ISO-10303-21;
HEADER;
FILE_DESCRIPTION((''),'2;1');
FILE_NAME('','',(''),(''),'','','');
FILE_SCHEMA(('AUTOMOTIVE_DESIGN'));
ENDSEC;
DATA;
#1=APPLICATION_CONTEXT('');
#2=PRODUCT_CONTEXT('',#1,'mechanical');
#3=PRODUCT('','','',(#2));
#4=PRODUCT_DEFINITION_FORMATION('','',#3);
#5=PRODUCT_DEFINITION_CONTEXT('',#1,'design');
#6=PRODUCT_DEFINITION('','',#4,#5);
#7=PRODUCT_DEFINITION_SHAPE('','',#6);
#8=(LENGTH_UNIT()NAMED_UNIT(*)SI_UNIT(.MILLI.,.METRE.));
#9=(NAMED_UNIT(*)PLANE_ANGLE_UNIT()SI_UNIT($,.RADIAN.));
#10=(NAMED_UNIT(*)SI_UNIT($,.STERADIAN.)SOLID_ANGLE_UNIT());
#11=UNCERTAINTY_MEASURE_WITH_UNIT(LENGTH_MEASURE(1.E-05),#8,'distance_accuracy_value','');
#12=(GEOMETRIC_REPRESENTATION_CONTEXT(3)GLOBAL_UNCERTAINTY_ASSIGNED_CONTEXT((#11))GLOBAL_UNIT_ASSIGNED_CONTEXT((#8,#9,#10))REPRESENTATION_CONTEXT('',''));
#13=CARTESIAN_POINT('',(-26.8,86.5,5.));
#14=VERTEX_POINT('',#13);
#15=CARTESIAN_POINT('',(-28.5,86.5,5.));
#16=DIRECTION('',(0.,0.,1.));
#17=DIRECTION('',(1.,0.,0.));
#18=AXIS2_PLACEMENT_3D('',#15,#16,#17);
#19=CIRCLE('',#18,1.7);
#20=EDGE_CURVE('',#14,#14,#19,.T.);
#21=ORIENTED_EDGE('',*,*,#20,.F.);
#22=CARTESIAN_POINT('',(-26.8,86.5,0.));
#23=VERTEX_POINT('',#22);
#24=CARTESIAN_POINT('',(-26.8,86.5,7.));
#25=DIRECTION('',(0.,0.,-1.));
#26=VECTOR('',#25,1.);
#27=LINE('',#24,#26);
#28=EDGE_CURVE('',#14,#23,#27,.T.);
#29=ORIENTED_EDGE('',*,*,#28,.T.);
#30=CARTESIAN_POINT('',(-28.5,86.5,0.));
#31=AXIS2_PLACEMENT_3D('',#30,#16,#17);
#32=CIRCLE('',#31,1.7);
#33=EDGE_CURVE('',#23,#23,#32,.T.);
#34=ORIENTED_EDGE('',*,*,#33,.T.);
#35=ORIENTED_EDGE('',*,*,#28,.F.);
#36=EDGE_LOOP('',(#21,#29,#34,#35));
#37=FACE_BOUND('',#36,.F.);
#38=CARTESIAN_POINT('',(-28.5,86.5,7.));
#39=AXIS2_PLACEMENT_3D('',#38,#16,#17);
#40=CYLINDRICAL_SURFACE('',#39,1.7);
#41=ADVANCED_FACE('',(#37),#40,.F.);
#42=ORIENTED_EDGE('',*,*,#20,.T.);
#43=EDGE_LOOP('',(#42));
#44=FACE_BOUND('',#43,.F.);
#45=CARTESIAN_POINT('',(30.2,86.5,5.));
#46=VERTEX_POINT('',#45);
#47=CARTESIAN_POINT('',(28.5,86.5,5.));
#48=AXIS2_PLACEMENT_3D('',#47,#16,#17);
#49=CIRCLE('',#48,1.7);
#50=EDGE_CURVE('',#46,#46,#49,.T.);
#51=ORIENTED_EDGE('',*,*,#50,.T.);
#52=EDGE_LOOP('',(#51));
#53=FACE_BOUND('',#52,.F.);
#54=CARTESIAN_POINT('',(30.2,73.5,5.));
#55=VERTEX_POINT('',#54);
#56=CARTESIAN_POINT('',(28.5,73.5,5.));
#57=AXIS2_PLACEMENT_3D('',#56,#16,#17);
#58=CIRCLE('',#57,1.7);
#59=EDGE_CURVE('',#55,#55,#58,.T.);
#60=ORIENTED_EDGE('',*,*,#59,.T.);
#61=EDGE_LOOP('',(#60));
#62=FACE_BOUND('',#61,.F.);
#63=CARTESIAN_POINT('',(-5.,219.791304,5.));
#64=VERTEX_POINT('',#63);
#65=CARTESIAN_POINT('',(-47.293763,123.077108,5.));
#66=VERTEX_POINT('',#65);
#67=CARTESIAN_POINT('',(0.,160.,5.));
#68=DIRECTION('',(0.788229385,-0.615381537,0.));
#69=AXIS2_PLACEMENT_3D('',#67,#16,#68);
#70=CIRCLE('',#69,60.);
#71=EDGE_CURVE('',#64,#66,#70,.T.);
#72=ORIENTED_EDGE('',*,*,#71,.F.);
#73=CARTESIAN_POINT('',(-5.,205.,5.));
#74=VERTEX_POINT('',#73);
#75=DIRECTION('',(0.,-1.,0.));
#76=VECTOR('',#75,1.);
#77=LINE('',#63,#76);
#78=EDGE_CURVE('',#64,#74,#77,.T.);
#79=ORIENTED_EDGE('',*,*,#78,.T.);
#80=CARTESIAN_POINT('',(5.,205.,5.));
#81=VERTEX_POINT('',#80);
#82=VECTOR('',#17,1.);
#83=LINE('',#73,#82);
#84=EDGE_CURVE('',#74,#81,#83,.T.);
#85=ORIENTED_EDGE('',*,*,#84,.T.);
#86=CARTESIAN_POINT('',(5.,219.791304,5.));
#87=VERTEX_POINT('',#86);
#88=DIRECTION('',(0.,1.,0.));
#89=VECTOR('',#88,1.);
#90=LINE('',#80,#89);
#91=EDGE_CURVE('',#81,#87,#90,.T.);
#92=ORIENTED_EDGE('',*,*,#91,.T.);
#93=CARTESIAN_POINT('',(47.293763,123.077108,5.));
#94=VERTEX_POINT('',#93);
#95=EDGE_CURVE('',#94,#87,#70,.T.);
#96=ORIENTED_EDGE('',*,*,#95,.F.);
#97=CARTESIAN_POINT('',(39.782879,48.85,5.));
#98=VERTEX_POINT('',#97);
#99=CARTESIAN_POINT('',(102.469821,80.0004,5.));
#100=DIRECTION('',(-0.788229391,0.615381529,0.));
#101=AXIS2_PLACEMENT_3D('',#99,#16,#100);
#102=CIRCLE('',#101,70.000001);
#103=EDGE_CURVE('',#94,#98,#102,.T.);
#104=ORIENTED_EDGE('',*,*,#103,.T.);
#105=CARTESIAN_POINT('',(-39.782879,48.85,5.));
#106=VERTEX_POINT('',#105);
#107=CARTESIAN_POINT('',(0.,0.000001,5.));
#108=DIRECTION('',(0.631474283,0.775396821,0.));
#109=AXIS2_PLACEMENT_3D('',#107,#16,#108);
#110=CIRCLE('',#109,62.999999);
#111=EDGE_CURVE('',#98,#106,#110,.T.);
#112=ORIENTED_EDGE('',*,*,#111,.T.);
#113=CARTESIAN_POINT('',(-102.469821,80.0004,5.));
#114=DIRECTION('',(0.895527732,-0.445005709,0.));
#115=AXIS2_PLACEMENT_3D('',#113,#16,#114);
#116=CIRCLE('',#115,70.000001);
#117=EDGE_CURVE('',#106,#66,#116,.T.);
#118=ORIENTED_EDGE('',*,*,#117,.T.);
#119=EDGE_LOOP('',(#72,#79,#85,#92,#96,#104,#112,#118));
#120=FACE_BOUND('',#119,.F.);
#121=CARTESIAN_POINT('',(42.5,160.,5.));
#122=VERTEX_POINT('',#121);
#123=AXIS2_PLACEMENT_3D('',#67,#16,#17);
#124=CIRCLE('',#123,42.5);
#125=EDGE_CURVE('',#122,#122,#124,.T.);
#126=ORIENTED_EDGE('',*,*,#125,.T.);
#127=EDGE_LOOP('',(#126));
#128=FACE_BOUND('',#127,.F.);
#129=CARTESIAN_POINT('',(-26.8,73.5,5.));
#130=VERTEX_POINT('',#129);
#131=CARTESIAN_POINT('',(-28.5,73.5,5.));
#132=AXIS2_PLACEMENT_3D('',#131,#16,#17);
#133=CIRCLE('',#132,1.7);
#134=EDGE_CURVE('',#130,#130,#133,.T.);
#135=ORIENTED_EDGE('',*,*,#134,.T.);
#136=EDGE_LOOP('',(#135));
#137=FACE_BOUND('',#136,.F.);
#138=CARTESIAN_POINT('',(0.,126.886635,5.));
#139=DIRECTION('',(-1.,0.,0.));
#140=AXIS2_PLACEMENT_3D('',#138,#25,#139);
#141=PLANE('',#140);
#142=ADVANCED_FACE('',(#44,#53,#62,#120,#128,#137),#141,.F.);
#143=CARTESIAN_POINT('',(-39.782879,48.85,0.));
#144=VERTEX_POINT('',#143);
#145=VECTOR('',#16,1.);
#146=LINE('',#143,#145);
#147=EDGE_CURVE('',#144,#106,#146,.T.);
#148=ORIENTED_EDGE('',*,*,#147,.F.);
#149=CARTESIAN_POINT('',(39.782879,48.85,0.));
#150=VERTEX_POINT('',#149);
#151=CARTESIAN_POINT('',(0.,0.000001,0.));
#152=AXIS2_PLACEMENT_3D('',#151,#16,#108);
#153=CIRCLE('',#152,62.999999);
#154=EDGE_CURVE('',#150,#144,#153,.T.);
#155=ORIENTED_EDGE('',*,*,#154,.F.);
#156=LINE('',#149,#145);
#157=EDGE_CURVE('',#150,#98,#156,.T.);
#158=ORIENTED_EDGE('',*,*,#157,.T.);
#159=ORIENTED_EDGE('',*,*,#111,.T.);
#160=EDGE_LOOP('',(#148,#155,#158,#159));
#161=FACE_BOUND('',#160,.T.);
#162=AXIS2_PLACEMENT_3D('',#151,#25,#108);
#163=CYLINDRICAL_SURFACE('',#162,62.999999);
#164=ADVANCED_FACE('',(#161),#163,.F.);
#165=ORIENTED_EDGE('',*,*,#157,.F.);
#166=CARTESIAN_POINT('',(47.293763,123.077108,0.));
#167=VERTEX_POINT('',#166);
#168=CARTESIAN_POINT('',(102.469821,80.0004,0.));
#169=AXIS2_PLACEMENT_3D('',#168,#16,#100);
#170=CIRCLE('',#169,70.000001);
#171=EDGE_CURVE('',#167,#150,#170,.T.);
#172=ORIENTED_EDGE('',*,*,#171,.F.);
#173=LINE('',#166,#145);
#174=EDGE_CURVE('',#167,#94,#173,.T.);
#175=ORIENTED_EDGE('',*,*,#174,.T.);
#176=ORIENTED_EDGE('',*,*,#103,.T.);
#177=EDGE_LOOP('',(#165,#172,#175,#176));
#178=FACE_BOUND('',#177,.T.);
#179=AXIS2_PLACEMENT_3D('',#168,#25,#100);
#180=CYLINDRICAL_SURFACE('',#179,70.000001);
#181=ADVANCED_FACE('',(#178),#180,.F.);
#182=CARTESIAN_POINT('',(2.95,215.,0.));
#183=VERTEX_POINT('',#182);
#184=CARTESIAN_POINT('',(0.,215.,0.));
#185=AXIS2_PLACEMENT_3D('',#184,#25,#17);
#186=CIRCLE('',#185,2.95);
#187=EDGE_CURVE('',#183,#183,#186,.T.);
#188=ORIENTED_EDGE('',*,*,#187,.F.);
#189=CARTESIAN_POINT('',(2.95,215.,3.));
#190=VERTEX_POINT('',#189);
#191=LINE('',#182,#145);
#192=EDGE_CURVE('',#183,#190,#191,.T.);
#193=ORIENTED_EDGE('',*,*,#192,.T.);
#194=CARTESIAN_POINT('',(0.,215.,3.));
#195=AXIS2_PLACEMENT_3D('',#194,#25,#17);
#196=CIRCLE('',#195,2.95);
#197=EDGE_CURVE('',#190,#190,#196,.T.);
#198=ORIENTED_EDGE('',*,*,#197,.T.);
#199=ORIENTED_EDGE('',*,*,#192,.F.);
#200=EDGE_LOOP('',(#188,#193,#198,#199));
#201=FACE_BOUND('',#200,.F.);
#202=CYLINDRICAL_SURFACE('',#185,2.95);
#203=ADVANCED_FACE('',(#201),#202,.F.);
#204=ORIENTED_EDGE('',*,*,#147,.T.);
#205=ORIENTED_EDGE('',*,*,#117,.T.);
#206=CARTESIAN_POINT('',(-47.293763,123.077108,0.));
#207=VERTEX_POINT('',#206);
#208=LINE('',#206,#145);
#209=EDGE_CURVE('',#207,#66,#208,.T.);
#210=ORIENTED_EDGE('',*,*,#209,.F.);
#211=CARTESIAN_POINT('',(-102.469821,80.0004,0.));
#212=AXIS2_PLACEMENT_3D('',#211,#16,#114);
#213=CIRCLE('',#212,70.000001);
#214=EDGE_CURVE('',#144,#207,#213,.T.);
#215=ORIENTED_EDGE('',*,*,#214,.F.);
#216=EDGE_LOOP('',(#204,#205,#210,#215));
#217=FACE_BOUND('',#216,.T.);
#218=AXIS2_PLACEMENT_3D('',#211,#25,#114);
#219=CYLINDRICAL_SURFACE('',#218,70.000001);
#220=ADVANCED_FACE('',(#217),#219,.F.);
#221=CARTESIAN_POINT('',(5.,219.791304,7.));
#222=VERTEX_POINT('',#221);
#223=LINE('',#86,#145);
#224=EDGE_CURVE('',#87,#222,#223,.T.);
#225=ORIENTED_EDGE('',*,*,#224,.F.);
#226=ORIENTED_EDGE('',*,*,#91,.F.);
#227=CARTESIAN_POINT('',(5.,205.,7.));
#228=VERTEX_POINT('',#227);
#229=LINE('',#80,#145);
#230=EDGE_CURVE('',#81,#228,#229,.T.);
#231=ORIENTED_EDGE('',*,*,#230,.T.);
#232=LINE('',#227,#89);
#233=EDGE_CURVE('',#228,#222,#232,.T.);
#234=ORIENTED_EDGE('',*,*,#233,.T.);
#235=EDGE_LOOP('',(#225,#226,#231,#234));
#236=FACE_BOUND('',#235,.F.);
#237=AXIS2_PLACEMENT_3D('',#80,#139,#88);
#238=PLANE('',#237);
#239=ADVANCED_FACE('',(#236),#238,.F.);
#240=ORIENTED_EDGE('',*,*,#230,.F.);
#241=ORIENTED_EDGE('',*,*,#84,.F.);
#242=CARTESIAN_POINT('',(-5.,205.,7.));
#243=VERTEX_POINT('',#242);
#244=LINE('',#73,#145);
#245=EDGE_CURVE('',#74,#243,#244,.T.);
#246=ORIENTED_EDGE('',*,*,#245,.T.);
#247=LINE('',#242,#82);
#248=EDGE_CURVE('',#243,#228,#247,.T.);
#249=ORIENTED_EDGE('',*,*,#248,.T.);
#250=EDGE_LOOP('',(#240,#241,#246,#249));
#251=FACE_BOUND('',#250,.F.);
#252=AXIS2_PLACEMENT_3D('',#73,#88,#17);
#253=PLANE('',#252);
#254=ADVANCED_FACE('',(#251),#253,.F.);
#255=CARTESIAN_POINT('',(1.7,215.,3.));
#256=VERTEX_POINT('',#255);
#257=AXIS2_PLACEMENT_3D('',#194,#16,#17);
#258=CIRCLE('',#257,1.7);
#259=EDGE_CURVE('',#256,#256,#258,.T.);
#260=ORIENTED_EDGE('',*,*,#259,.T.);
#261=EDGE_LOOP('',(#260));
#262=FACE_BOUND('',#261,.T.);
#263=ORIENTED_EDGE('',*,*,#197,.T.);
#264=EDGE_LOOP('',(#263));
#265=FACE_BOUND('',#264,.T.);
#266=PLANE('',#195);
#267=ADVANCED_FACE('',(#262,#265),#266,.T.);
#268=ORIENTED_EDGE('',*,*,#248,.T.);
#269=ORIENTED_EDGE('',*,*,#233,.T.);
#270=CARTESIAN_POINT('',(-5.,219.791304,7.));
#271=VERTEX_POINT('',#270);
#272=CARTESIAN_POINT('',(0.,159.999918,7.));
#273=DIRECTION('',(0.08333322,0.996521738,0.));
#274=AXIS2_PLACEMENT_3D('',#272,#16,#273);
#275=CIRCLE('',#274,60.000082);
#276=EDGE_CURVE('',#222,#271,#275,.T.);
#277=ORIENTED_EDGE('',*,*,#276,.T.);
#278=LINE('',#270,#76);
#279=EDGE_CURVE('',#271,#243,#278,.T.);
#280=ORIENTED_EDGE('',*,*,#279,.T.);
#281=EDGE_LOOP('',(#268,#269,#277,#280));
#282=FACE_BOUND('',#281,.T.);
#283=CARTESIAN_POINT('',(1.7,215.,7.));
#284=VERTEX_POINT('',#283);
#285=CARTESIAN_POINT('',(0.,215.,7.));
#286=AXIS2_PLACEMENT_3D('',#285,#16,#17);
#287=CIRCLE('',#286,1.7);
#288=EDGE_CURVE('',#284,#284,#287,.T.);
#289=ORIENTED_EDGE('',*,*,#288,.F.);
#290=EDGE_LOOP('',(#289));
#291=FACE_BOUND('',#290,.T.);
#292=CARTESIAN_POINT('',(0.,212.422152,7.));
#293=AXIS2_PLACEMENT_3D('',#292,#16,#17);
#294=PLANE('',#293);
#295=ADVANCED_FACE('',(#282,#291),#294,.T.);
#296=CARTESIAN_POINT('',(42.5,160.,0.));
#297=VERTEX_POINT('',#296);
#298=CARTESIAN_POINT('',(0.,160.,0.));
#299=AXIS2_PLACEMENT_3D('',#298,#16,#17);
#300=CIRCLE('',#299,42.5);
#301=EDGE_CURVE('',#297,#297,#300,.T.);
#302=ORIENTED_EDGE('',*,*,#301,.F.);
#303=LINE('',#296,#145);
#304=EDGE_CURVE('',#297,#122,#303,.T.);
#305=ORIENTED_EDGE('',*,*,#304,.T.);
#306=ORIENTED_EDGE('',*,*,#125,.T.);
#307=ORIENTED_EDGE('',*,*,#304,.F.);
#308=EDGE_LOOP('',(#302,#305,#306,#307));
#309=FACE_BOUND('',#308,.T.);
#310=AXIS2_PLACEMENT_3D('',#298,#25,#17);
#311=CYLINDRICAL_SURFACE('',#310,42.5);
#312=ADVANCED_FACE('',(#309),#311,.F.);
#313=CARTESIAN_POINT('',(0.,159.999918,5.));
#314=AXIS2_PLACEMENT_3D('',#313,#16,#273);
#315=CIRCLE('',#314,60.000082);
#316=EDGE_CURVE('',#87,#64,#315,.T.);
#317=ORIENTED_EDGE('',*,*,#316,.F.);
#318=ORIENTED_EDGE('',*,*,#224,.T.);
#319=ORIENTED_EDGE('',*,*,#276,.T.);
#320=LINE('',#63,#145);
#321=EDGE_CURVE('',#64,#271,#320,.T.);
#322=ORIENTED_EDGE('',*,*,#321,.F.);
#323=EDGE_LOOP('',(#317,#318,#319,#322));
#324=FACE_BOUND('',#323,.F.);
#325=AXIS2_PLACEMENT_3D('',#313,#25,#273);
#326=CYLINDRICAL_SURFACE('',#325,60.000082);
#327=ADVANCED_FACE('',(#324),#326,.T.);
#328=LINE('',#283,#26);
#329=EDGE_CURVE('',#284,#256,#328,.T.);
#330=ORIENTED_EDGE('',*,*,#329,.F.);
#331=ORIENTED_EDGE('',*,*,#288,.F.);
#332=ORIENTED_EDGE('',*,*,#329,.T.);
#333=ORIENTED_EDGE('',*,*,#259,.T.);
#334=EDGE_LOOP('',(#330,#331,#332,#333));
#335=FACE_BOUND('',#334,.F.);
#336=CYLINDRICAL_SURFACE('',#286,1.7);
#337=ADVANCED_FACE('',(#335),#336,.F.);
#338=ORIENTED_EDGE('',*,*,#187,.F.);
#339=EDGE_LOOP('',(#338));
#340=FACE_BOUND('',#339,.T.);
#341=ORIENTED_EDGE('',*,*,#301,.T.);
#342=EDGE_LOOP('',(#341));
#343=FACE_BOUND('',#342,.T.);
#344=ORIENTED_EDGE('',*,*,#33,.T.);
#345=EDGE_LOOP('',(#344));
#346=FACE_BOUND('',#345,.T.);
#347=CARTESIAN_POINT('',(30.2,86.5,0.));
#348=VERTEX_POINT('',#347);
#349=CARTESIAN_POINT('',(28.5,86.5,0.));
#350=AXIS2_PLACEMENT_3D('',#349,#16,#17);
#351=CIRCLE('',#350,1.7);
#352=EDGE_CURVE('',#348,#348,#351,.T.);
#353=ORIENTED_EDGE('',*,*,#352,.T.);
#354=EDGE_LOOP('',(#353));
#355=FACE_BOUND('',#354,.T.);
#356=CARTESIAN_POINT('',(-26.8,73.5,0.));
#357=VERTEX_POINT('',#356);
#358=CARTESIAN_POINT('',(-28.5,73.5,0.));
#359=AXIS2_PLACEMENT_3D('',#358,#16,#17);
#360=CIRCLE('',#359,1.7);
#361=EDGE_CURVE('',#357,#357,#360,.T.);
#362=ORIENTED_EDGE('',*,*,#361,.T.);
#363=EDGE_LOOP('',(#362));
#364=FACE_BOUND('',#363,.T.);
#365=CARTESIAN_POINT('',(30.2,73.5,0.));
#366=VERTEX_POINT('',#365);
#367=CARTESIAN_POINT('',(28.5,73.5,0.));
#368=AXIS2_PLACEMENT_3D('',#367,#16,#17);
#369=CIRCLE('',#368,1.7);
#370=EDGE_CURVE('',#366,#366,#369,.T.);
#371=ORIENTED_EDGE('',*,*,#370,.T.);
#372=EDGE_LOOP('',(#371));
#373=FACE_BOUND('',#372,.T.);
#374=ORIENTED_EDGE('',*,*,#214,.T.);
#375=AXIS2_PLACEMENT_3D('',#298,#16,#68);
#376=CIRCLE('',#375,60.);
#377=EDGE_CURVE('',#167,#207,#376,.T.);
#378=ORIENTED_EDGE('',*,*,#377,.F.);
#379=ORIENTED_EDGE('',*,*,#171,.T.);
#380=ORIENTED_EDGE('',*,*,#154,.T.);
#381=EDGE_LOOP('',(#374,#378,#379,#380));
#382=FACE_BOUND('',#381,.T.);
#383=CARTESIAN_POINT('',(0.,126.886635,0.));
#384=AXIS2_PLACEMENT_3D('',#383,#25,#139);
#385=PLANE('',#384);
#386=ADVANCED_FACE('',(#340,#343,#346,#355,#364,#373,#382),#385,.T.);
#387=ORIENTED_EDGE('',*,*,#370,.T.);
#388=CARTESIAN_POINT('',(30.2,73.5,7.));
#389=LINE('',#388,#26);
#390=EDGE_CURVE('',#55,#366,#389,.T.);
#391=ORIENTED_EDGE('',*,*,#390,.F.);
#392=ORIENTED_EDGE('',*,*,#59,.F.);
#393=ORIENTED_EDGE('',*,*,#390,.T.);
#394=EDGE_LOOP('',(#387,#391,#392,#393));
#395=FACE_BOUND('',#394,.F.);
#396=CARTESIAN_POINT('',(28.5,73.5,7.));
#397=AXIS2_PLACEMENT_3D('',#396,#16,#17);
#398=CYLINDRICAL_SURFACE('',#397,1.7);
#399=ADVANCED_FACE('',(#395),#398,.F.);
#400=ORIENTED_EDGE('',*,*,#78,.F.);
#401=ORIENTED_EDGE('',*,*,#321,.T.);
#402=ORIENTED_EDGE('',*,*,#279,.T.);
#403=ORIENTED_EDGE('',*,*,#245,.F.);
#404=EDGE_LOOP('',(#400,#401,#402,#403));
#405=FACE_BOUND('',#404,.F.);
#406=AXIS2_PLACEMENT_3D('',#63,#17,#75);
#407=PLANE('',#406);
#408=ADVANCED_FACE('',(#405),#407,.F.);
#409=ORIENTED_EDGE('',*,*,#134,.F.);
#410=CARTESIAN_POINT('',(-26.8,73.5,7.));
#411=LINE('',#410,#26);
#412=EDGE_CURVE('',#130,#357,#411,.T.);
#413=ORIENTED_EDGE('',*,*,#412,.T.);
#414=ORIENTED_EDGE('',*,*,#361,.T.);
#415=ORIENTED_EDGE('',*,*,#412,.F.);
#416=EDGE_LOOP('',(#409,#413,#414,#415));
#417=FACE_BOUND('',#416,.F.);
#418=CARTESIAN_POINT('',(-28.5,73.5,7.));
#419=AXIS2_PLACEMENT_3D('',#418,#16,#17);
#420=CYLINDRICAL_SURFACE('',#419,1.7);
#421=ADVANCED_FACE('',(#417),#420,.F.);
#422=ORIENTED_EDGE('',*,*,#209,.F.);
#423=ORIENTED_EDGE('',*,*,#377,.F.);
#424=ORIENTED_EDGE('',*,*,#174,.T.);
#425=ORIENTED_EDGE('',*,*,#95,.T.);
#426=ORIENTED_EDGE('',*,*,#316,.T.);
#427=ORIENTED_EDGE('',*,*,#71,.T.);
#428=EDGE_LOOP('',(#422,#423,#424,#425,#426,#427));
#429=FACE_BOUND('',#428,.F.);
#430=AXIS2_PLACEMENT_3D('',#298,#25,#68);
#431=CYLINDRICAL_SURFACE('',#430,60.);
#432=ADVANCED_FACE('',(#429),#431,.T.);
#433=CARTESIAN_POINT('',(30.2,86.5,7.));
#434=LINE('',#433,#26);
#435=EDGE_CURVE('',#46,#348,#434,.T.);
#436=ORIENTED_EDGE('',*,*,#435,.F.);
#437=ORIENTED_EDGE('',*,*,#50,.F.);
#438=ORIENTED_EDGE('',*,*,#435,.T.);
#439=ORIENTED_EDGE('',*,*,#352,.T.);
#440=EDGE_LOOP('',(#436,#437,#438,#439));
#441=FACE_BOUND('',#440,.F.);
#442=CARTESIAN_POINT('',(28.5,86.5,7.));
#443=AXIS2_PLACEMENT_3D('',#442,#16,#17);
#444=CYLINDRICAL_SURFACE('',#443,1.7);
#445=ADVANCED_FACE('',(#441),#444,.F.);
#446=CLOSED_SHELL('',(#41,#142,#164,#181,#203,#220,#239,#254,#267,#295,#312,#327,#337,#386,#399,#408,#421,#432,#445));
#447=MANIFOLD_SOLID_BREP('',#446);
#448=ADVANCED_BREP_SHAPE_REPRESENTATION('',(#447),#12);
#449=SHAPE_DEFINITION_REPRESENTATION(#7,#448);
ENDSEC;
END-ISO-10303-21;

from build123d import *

# Parameters (mm, degrees)
SKETCH_R        = 42.5
PAD_DEPTH       = 5
PAD001_DEPTH    = 2
SKETCH002_R     = 1.7
POCKET_DEPTH    = 7.001
SKETCH003_R     = 2.95
POCKET001_DEPTH = 3


with BuildPart() as part:
    # Sketch → Pad (new body)
    with BuildSketch(Plane.XY):
        with BuildLine():
            ThreePointArc((39.782879, 48.85), (0, 63), (-39.782879, 48.85))
            ThreePointArc((-39.782879, 48.85), (-32.825456, 87.047566), (-47.293763, 123.077108))
            ThreePointArc((47.293763, 123.077108), (0, 220), (-47.293763, 123.077108))
            ThreePointArc((47.293763, 123.077108), (32.825456, 87.047566), (39.782879, 48.85))
        make_face()
        with Locations((0, 160)):
            Circle(SKETCH_R, mode=Mode.SUBTRACT)
    extrude(amount=PAD_DEPTH)

    # Sketch001 (on Face7 of Pad) → Pad001 (join)
    with BuildSketch(Plane.XY.offset(5)):
        with BuildLine():
            ThreePointArc((5, 219.791304), (0, 220), (-5, 219.791304))
            Line((-5, 219.791304), (-5, 205))
            Line((-5, 205), (5, 205))
            Line((5, 205), (5, 219.791304))
        make_face()
    extrude(amount=PAD001_DEPTH)

    # Sketch002 (on Face10 of Pad001) → Pocket (cut, through all)
    with BuildSketch(Plane.XY.offset(7)):
        with Locations((0, 215)):
            Circle(SKETCH002_R)
        with Locations((28.5, 73.5)):
            Circle(SKETCH002_R)
        with Locations((28.5, 86.5)):
            Circle(SKETCH002_R)
        with Locations((-28.5, 86.5)):
            Circle(SKETCH002_R)
        with Locations((-28.5, 73.5)):
            Circle(SKETCH002_R)
    extrude(amount=-POCKET_DEPTH, mode=Mode.SUBTRACT)

    # Sketch003 (on Face4 of Pocket) → Pocket001 (cut)
    with BuildSketch(Plane(origin=(0, 0, 0), x_dir=(1, 0, 0), z_dir=(0, 0, -1))):
        with Locations((0, -215)):
            Circle(SKETCH003_R)
    extrude(amount=-POCKET001_DEPTH, mode=Mode.SUBTRACT)


solid = part.part
